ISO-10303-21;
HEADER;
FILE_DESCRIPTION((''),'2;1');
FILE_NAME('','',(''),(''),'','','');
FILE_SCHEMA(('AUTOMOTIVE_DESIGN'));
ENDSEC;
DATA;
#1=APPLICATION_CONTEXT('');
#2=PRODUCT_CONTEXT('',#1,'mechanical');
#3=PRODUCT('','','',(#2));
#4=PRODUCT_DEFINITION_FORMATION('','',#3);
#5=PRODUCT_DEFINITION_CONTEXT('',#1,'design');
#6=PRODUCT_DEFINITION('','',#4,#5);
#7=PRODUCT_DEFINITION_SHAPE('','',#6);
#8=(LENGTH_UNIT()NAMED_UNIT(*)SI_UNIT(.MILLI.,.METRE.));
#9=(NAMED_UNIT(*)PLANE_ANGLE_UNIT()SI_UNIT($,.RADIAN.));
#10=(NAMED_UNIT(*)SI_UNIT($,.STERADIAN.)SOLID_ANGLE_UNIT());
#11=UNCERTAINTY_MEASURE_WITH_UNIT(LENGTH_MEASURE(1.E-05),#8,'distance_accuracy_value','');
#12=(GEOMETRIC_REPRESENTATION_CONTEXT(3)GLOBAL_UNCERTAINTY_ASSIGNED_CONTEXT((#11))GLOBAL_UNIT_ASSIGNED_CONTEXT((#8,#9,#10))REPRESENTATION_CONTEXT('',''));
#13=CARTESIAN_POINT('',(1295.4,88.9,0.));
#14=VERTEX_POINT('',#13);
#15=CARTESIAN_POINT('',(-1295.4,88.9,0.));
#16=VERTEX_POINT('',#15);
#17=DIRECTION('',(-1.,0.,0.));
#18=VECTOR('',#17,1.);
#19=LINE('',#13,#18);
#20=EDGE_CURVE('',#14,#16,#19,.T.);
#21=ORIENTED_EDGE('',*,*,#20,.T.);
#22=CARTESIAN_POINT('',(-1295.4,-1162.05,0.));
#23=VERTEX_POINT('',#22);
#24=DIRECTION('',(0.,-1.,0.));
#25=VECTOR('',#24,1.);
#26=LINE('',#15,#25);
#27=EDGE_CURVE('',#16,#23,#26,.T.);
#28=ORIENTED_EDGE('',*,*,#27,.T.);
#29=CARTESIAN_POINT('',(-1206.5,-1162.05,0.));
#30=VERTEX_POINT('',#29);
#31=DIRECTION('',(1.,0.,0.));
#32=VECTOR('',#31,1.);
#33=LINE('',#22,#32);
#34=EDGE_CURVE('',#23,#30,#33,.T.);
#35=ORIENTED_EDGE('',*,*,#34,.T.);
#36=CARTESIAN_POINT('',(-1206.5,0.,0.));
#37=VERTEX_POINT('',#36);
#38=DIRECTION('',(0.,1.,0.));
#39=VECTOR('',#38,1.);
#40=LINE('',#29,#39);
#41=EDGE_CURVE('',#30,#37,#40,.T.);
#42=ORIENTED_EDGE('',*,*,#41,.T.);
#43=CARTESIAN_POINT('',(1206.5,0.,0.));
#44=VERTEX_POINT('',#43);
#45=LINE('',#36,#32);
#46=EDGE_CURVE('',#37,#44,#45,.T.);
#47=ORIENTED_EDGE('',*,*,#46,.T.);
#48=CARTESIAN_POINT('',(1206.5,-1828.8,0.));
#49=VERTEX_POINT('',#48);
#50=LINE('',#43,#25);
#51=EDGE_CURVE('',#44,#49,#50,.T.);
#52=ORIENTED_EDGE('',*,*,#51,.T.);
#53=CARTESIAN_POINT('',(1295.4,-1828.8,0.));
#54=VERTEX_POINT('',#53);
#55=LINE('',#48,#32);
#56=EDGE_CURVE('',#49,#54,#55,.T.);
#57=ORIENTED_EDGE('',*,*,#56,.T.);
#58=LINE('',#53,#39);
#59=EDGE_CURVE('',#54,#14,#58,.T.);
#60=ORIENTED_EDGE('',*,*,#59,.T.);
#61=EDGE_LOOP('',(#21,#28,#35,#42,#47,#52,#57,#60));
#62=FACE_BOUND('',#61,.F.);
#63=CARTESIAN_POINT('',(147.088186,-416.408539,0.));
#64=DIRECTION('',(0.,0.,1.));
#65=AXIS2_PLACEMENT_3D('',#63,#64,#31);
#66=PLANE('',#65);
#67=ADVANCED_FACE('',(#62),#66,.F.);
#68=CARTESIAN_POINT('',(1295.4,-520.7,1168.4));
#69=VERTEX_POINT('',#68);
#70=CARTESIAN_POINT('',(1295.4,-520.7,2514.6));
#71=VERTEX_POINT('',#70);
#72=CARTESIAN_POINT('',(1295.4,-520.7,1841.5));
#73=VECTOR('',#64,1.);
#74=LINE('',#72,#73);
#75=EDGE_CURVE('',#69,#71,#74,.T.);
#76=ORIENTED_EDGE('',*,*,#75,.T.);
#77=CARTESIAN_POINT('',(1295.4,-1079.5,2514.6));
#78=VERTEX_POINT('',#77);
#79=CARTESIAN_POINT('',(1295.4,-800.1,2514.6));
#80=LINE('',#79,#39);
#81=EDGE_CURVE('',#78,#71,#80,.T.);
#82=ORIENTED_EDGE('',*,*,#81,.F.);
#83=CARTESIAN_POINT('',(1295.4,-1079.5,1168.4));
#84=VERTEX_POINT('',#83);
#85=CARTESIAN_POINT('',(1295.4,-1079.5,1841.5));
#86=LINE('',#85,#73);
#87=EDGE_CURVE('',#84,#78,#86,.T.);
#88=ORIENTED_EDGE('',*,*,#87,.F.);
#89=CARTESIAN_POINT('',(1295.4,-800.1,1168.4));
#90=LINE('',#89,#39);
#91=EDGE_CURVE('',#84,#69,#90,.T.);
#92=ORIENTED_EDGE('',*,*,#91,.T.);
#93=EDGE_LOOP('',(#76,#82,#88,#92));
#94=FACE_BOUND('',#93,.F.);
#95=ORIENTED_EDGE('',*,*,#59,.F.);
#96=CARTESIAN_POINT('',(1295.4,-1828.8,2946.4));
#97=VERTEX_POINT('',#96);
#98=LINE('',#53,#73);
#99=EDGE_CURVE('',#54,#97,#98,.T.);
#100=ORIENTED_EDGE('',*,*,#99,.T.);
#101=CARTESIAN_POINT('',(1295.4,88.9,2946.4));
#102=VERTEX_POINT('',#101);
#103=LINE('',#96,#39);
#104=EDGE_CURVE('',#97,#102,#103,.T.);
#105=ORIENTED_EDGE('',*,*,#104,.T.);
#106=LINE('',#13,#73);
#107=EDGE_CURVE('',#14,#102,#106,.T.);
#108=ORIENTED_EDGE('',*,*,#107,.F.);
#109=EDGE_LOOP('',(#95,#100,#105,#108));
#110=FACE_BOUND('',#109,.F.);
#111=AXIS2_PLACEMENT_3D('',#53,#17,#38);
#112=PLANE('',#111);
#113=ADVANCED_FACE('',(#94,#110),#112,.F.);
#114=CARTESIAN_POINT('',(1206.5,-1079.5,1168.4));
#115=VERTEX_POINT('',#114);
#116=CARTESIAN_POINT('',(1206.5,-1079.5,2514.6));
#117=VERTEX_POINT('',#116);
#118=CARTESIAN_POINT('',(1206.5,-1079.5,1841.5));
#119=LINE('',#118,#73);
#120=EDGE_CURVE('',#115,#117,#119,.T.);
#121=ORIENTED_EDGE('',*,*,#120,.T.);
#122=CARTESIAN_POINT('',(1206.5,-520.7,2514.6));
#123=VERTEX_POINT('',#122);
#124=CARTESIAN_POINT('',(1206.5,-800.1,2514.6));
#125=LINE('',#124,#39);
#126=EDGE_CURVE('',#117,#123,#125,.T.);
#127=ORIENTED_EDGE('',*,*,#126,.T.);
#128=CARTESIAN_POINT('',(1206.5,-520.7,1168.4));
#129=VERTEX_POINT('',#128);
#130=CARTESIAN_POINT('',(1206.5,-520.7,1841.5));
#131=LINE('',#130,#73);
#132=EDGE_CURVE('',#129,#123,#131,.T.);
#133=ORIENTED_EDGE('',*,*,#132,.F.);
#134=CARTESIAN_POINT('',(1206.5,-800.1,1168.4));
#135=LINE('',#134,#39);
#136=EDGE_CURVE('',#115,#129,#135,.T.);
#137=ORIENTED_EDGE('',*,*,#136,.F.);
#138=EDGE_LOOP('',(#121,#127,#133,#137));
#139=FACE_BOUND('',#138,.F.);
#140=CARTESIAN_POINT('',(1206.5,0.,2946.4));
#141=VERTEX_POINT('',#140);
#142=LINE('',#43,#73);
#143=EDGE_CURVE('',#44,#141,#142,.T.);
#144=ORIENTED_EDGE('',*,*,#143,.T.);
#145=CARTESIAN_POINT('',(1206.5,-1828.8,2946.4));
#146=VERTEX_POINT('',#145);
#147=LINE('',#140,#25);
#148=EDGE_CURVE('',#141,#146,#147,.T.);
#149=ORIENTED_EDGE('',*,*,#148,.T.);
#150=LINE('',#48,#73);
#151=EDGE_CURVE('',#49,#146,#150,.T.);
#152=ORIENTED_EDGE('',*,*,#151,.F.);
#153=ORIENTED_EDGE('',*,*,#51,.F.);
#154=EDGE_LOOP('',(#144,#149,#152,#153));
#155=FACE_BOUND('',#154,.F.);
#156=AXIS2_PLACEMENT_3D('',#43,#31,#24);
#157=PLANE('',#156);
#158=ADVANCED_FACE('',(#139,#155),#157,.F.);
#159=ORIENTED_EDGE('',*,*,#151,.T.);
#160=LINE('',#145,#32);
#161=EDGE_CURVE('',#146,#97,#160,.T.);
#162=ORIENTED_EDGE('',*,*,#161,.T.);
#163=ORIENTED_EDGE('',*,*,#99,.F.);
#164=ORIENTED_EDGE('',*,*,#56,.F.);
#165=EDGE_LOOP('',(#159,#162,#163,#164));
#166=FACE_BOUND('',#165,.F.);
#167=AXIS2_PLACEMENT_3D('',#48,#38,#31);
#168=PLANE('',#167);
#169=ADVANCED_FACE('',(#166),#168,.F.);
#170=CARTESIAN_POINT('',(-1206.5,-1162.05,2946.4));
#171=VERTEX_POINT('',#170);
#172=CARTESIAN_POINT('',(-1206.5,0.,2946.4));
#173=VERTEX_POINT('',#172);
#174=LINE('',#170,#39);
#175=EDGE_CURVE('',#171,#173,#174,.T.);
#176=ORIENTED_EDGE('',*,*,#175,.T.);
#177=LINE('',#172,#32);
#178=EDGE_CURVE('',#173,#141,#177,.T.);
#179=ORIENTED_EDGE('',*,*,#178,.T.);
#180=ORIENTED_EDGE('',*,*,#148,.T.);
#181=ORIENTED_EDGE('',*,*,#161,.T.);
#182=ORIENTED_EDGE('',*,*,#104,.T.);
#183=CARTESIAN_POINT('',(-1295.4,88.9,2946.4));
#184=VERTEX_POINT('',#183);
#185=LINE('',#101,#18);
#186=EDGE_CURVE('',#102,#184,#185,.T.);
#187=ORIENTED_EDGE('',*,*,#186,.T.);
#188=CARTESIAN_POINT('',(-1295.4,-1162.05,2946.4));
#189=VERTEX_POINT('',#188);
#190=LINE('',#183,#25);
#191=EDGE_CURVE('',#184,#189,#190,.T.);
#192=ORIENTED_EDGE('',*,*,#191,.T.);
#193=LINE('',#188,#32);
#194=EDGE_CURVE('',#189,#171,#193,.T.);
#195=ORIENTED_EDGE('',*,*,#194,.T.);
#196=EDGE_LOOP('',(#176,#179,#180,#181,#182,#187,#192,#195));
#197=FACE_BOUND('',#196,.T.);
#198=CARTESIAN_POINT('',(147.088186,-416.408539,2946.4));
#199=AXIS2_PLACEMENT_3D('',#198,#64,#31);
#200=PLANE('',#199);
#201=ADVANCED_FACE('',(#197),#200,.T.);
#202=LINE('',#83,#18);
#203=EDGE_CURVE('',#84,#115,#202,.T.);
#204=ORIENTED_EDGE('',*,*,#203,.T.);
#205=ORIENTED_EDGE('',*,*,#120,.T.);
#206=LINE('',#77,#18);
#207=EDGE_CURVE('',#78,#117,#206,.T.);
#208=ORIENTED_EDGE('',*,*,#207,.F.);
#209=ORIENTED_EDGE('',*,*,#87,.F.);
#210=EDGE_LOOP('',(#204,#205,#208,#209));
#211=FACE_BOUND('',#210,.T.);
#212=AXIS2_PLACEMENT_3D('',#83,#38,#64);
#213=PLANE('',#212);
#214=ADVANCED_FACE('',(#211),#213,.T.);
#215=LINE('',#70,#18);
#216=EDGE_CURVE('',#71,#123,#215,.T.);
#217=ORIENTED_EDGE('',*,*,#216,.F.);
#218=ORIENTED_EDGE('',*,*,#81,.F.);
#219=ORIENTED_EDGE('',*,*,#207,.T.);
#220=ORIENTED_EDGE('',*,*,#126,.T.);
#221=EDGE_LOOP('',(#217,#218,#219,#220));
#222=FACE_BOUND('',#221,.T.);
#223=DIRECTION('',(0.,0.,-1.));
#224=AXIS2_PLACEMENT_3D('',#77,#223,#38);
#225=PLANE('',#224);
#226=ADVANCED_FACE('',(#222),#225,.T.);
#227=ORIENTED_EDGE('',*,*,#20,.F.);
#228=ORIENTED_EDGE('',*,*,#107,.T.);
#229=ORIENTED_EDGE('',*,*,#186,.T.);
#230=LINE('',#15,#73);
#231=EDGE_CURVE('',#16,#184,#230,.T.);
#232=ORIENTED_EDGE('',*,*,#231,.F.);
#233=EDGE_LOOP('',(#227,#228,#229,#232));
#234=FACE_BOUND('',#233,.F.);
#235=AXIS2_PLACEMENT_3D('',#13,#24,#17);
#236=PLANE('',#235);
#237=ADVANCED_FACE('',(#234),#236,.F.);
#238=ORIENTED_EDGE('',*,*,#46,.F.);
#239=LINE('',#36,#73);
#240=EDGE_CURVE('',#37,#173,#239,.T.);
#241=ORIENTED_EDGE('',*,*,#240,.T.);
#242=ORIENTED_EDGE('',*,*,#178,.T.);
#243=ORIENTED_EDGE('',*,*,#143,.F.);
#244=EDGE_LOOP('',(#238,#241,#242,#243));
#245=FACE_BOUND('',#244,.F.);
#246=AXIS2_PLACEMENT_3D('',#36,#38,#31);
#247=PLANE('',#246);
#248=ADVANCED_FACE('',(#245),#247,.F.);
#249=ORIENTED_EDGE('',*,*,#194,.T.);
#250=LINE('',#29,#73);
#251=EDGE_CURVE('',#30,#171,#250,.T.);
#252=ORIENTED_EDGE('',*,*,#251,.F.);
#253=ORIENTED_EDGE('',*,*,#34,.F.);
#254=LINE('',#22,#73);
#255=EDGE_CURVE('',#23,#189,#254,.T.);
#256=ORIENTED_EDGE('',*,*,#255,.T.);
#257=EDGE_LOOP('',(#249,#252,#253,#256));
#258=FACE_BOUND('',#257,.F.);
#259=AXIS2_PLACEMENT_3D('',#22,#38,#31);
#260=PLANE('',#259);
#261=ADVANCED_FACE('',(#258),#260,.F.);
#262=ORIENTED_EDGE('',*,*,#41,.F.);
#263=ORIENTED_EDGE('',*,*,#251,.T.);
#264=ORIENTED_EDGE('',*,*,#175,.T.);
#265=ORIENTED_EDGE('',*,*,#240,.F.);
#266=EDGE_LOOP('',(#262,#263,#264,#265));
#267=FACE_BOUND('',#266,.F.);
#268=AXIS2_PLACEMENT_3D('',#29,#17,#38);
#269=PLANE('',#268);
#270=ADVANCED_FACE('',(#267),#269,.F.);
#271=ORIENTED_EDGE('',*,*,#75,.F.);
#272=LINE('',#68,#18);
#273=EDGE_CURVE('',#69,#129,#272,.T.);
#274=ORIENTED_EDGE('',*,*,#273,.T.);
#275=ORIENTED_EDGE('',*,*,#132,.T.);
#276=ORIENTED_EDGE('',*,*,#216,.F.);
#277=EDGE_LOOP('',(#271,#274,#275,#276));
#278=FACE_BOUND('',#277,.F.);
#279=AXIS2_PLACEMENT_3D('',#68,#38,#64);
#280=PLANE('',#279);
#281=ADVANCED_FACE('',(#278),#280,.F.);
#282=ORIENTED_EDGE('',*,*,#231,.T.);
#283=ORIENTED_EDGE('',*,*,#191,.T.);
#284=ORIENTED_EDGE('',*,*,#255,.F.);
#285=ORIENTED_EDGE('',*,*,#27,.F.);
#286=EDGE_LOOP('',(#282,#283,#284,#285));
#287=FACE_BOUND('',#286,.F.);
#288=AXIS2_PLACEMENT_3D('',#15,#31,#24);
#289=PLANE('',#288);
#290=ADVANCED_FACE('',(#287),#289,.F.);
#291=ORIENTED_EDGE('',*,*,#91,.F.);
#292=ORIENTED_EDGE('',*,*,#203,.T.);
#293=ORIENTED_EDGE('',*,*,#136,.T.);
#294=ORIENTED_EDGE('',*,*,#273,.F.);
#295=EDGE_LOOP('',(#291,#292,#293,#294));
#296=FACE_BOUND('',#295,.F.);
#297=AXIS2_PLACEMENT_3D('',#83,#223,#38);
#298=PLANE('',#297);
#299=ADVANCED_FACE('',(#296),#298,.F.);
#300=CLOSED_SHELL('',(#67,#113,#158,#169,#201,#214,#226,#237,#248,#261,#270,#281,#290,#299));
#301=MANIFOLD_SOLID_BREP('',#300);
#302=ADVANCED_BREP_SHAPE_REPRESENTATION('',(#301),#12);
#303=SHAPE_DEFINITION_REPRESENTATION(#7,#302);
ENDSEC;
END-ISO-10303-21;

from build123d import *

# Parameters (mm, degrees)
F1_DEPTH = 2946.4
F2_W     = 558.8
F2_H     = 1346.2
F3_DEPTH = 88.9


with BuildPart() as f1:
    # F0 (on Top) → F1 (new body)
    with BuildSketch(Plane.XY):
        Polygon((-1206.5, -1162.05), (-1206.5, 0), (1206.5, 0), (1206.5, -1828.8), (1295.4, -1828.8), (1295.4, 88.9), (-1295.4, 88.9), (-1295.4, -1162.05), align=None)
    extrude(amount=F1_DEPTH)

    # F2 (on face) → F3 (cut, through all)
    with BuildSketch(Plane.YZ.offset(1295.4)):
        with Locations((-800.1, 1841.5)):
            Rectangle(F2_W, F2_H)
    extrude(amount=-F3_DEPTH, mode=Mode.SUBTRACT)


solid = f1.part
